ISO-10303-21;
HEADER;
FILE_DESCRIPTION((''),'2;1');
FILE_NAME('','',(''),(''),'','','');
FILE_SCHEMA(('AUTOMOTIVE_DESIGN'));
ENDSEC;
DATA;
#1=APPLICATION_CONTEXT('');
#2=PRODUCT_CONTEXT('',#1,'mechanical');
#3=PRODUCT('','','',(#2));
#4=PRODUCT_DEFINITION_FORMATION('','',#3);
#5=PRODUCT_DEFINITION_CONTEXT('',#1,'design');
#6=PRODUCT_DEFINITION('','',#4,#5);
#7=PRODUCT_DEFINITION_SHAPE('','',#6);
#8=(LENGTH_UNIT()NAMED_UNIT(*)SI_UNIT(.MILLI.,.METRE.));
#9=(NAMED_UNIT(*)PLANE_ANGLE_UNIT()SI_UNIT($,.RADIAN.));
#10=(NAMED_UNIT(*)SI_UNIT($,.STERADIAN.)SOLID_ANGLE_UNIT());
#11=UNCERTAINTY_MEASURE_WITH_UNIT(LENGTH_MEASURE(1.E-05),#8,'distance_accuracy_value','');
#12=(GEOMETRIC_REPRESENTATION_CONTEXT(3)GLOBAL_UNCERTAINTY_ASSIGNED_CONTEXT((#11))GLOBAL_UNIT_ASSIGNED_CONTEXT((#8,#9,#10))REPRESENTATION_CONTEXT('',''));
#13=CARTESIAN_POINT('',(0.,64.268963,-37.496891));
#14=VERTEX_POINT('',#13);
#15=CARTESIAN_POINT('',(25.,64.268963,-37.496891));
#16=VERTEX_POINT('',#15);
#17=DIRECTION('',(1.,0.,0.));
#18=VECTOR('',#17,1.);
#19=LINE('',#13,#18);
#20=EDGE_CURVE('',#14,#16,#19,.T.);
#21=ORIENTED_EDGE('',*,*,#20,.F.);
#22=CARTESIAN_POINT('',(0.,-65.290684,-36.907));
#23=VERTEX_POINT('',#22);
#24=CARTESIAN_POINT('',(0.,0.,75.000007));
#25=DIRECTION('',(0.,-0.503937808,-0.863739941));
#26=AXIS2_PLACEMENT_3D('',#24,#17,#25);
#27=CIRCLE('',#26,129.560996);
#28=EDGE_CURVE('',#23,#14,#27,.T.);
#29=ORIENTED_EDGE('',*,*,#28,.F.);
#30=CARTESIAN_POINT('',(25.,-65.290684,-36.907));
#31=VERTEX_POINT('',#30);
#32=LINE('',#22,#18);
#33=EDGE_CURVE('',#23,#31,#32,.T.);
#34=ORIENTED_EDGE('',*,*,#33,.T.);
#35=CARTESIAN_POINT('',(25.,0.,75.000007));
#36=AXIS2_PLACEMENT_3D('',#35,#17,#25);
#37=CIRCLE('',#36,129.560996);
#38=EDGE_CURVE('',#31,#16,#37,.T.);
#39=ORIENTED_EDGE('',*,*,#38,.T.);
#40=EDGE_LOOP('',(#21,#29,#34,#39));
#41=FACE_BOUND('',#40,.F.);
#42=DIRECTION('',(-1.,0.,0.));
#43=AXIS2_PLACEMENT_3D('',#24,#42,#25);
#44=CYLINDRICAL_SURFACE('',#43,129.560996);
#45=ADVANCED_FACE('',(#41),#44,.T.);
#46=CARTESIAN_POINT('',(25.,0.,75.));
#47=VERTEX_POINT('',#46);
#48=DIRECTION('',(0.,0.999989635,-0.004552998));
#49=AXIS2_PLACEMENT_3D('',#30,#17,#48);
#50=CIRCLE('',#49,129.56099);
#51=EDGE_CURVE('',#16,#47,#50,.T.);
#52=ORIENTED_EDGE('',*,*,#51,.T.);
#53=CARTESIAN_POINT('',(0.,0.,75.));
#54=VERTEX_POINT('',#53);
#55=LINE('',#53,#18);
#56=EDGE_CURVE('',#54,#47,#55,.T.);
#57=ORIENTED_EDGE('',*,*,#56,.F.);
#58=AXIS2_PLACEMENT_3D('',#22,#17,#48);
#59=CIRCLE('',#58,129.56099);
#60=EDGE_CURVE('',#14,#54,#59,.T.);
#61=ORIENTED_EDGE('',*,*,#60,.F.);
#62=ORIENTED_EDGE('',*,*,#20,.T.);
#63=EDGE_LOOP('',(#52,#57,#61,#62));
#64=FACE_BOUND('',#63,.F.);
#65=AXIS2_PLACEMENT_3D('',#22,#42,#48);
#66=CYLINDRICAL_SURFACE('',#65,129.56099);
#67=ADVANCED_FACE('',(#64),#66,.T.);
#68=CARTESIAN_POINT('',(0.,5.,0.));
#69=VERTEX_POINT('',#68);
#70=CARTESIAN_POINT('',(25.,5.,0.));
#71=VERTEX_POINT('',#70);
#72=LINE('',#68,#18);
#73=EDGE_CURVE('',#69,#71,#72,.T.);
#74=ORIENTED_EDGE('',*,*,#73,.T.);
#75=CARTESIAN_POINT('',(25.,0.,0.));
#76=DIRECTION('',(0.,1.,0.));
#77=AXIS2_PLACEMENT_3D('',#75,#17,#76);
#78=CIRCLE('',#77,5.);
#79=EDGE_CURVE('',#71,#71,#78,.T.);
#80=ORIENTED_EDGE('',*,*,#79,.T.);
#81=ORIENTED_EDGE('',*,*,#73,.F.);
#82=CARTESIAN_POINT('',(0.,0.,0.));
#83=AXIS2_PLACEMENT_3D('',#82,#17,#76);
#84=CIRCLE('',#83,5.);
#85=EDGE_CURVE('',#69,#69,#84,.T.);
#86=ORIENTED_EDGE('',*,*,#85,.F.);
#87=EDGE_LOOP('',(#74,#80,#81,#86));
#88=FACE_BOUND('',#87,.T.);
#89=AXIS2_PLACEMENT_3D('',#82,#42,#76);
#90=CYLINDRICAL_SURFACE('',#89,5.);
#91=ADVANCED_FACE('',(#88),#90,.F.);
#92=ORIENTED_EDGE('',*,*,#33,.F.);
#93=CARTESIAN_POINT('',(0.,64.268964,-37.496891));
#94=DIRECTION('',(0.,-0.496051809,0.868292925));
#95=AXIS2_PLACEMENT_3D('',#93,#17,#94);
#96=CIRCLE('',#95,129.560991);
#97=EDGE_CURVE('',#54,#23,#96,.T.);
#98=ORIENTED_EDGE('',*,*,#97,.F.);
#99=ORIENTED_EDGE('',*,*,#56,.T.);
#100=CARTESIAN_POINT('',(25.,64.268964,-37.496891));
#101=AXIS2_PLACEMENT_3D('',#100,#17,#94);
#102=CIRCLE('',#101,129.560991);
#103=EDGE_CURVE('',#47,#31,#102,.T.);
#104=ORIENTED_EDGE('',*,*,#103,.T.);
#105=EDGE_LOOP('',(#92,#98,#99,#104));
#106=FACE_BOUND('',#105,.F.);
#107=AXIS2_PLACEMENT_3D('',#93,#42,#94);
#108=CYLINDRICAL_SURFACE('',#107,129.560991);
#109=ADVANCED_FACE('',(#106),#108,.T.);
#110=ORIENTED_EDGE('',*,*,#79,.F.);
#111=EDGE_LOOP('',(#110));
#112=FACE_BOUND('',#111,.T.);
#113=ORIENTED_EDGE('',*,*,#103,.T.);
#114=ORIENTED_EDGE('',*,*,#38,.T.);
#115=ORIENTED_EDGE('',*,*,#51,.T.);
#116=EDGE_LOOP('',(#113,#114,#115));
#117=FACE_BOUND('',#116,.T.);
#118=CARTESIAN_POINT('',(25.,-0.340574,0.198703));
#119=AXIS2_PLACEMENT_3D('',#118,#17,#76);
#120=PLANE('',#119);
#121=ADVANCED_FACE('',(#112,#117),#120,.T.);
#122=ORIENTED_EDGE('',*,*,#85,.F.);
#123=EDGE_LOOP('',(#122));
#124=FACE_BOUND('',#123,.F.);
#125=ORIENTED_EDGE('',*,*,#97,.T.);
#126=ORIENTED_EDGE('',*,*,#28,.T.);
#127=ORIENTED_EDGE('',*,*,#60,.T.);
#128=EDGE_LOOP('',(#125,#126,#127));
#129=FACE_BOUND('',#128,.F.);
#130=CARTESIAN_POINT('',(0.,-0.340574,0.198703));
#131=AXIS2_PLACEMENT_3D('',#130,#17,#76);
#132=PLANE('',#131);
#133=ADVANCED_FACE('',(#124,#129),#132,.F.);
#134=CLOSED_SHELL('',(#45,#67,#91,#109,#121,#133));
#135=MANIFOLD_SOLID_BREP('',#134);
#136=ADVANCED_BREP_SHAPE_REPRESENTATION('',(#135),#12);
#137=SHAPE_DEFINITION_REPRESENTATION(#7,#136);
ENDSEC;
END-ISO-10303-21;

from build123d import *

# Parameters (mm, degrees)
F0_R     = 5
F1_DEPTH = 25


with BuildPart() as f1:
    # F0 (on Right) → F1 (new body)
    with BuildSketch(Plane.YZ):
        with BuildLine():
            ThreePointArc((64.268963, -37.496891), (47.206207, 27.361963), (0, 75))
            ThreePointArc((0, 75), (-47.638037, 27.793793), (-65.290684, -36.907))
            ThreePointArc((-65.290684, -36.907), (-0.589891, -54.559646), (64.268963, -37.496891))
        make_face()
        Circle(F0_R, mode=Mode.SUBTRACT)
    extrude(amount=F1_DEPTH)


solid = f1.part
